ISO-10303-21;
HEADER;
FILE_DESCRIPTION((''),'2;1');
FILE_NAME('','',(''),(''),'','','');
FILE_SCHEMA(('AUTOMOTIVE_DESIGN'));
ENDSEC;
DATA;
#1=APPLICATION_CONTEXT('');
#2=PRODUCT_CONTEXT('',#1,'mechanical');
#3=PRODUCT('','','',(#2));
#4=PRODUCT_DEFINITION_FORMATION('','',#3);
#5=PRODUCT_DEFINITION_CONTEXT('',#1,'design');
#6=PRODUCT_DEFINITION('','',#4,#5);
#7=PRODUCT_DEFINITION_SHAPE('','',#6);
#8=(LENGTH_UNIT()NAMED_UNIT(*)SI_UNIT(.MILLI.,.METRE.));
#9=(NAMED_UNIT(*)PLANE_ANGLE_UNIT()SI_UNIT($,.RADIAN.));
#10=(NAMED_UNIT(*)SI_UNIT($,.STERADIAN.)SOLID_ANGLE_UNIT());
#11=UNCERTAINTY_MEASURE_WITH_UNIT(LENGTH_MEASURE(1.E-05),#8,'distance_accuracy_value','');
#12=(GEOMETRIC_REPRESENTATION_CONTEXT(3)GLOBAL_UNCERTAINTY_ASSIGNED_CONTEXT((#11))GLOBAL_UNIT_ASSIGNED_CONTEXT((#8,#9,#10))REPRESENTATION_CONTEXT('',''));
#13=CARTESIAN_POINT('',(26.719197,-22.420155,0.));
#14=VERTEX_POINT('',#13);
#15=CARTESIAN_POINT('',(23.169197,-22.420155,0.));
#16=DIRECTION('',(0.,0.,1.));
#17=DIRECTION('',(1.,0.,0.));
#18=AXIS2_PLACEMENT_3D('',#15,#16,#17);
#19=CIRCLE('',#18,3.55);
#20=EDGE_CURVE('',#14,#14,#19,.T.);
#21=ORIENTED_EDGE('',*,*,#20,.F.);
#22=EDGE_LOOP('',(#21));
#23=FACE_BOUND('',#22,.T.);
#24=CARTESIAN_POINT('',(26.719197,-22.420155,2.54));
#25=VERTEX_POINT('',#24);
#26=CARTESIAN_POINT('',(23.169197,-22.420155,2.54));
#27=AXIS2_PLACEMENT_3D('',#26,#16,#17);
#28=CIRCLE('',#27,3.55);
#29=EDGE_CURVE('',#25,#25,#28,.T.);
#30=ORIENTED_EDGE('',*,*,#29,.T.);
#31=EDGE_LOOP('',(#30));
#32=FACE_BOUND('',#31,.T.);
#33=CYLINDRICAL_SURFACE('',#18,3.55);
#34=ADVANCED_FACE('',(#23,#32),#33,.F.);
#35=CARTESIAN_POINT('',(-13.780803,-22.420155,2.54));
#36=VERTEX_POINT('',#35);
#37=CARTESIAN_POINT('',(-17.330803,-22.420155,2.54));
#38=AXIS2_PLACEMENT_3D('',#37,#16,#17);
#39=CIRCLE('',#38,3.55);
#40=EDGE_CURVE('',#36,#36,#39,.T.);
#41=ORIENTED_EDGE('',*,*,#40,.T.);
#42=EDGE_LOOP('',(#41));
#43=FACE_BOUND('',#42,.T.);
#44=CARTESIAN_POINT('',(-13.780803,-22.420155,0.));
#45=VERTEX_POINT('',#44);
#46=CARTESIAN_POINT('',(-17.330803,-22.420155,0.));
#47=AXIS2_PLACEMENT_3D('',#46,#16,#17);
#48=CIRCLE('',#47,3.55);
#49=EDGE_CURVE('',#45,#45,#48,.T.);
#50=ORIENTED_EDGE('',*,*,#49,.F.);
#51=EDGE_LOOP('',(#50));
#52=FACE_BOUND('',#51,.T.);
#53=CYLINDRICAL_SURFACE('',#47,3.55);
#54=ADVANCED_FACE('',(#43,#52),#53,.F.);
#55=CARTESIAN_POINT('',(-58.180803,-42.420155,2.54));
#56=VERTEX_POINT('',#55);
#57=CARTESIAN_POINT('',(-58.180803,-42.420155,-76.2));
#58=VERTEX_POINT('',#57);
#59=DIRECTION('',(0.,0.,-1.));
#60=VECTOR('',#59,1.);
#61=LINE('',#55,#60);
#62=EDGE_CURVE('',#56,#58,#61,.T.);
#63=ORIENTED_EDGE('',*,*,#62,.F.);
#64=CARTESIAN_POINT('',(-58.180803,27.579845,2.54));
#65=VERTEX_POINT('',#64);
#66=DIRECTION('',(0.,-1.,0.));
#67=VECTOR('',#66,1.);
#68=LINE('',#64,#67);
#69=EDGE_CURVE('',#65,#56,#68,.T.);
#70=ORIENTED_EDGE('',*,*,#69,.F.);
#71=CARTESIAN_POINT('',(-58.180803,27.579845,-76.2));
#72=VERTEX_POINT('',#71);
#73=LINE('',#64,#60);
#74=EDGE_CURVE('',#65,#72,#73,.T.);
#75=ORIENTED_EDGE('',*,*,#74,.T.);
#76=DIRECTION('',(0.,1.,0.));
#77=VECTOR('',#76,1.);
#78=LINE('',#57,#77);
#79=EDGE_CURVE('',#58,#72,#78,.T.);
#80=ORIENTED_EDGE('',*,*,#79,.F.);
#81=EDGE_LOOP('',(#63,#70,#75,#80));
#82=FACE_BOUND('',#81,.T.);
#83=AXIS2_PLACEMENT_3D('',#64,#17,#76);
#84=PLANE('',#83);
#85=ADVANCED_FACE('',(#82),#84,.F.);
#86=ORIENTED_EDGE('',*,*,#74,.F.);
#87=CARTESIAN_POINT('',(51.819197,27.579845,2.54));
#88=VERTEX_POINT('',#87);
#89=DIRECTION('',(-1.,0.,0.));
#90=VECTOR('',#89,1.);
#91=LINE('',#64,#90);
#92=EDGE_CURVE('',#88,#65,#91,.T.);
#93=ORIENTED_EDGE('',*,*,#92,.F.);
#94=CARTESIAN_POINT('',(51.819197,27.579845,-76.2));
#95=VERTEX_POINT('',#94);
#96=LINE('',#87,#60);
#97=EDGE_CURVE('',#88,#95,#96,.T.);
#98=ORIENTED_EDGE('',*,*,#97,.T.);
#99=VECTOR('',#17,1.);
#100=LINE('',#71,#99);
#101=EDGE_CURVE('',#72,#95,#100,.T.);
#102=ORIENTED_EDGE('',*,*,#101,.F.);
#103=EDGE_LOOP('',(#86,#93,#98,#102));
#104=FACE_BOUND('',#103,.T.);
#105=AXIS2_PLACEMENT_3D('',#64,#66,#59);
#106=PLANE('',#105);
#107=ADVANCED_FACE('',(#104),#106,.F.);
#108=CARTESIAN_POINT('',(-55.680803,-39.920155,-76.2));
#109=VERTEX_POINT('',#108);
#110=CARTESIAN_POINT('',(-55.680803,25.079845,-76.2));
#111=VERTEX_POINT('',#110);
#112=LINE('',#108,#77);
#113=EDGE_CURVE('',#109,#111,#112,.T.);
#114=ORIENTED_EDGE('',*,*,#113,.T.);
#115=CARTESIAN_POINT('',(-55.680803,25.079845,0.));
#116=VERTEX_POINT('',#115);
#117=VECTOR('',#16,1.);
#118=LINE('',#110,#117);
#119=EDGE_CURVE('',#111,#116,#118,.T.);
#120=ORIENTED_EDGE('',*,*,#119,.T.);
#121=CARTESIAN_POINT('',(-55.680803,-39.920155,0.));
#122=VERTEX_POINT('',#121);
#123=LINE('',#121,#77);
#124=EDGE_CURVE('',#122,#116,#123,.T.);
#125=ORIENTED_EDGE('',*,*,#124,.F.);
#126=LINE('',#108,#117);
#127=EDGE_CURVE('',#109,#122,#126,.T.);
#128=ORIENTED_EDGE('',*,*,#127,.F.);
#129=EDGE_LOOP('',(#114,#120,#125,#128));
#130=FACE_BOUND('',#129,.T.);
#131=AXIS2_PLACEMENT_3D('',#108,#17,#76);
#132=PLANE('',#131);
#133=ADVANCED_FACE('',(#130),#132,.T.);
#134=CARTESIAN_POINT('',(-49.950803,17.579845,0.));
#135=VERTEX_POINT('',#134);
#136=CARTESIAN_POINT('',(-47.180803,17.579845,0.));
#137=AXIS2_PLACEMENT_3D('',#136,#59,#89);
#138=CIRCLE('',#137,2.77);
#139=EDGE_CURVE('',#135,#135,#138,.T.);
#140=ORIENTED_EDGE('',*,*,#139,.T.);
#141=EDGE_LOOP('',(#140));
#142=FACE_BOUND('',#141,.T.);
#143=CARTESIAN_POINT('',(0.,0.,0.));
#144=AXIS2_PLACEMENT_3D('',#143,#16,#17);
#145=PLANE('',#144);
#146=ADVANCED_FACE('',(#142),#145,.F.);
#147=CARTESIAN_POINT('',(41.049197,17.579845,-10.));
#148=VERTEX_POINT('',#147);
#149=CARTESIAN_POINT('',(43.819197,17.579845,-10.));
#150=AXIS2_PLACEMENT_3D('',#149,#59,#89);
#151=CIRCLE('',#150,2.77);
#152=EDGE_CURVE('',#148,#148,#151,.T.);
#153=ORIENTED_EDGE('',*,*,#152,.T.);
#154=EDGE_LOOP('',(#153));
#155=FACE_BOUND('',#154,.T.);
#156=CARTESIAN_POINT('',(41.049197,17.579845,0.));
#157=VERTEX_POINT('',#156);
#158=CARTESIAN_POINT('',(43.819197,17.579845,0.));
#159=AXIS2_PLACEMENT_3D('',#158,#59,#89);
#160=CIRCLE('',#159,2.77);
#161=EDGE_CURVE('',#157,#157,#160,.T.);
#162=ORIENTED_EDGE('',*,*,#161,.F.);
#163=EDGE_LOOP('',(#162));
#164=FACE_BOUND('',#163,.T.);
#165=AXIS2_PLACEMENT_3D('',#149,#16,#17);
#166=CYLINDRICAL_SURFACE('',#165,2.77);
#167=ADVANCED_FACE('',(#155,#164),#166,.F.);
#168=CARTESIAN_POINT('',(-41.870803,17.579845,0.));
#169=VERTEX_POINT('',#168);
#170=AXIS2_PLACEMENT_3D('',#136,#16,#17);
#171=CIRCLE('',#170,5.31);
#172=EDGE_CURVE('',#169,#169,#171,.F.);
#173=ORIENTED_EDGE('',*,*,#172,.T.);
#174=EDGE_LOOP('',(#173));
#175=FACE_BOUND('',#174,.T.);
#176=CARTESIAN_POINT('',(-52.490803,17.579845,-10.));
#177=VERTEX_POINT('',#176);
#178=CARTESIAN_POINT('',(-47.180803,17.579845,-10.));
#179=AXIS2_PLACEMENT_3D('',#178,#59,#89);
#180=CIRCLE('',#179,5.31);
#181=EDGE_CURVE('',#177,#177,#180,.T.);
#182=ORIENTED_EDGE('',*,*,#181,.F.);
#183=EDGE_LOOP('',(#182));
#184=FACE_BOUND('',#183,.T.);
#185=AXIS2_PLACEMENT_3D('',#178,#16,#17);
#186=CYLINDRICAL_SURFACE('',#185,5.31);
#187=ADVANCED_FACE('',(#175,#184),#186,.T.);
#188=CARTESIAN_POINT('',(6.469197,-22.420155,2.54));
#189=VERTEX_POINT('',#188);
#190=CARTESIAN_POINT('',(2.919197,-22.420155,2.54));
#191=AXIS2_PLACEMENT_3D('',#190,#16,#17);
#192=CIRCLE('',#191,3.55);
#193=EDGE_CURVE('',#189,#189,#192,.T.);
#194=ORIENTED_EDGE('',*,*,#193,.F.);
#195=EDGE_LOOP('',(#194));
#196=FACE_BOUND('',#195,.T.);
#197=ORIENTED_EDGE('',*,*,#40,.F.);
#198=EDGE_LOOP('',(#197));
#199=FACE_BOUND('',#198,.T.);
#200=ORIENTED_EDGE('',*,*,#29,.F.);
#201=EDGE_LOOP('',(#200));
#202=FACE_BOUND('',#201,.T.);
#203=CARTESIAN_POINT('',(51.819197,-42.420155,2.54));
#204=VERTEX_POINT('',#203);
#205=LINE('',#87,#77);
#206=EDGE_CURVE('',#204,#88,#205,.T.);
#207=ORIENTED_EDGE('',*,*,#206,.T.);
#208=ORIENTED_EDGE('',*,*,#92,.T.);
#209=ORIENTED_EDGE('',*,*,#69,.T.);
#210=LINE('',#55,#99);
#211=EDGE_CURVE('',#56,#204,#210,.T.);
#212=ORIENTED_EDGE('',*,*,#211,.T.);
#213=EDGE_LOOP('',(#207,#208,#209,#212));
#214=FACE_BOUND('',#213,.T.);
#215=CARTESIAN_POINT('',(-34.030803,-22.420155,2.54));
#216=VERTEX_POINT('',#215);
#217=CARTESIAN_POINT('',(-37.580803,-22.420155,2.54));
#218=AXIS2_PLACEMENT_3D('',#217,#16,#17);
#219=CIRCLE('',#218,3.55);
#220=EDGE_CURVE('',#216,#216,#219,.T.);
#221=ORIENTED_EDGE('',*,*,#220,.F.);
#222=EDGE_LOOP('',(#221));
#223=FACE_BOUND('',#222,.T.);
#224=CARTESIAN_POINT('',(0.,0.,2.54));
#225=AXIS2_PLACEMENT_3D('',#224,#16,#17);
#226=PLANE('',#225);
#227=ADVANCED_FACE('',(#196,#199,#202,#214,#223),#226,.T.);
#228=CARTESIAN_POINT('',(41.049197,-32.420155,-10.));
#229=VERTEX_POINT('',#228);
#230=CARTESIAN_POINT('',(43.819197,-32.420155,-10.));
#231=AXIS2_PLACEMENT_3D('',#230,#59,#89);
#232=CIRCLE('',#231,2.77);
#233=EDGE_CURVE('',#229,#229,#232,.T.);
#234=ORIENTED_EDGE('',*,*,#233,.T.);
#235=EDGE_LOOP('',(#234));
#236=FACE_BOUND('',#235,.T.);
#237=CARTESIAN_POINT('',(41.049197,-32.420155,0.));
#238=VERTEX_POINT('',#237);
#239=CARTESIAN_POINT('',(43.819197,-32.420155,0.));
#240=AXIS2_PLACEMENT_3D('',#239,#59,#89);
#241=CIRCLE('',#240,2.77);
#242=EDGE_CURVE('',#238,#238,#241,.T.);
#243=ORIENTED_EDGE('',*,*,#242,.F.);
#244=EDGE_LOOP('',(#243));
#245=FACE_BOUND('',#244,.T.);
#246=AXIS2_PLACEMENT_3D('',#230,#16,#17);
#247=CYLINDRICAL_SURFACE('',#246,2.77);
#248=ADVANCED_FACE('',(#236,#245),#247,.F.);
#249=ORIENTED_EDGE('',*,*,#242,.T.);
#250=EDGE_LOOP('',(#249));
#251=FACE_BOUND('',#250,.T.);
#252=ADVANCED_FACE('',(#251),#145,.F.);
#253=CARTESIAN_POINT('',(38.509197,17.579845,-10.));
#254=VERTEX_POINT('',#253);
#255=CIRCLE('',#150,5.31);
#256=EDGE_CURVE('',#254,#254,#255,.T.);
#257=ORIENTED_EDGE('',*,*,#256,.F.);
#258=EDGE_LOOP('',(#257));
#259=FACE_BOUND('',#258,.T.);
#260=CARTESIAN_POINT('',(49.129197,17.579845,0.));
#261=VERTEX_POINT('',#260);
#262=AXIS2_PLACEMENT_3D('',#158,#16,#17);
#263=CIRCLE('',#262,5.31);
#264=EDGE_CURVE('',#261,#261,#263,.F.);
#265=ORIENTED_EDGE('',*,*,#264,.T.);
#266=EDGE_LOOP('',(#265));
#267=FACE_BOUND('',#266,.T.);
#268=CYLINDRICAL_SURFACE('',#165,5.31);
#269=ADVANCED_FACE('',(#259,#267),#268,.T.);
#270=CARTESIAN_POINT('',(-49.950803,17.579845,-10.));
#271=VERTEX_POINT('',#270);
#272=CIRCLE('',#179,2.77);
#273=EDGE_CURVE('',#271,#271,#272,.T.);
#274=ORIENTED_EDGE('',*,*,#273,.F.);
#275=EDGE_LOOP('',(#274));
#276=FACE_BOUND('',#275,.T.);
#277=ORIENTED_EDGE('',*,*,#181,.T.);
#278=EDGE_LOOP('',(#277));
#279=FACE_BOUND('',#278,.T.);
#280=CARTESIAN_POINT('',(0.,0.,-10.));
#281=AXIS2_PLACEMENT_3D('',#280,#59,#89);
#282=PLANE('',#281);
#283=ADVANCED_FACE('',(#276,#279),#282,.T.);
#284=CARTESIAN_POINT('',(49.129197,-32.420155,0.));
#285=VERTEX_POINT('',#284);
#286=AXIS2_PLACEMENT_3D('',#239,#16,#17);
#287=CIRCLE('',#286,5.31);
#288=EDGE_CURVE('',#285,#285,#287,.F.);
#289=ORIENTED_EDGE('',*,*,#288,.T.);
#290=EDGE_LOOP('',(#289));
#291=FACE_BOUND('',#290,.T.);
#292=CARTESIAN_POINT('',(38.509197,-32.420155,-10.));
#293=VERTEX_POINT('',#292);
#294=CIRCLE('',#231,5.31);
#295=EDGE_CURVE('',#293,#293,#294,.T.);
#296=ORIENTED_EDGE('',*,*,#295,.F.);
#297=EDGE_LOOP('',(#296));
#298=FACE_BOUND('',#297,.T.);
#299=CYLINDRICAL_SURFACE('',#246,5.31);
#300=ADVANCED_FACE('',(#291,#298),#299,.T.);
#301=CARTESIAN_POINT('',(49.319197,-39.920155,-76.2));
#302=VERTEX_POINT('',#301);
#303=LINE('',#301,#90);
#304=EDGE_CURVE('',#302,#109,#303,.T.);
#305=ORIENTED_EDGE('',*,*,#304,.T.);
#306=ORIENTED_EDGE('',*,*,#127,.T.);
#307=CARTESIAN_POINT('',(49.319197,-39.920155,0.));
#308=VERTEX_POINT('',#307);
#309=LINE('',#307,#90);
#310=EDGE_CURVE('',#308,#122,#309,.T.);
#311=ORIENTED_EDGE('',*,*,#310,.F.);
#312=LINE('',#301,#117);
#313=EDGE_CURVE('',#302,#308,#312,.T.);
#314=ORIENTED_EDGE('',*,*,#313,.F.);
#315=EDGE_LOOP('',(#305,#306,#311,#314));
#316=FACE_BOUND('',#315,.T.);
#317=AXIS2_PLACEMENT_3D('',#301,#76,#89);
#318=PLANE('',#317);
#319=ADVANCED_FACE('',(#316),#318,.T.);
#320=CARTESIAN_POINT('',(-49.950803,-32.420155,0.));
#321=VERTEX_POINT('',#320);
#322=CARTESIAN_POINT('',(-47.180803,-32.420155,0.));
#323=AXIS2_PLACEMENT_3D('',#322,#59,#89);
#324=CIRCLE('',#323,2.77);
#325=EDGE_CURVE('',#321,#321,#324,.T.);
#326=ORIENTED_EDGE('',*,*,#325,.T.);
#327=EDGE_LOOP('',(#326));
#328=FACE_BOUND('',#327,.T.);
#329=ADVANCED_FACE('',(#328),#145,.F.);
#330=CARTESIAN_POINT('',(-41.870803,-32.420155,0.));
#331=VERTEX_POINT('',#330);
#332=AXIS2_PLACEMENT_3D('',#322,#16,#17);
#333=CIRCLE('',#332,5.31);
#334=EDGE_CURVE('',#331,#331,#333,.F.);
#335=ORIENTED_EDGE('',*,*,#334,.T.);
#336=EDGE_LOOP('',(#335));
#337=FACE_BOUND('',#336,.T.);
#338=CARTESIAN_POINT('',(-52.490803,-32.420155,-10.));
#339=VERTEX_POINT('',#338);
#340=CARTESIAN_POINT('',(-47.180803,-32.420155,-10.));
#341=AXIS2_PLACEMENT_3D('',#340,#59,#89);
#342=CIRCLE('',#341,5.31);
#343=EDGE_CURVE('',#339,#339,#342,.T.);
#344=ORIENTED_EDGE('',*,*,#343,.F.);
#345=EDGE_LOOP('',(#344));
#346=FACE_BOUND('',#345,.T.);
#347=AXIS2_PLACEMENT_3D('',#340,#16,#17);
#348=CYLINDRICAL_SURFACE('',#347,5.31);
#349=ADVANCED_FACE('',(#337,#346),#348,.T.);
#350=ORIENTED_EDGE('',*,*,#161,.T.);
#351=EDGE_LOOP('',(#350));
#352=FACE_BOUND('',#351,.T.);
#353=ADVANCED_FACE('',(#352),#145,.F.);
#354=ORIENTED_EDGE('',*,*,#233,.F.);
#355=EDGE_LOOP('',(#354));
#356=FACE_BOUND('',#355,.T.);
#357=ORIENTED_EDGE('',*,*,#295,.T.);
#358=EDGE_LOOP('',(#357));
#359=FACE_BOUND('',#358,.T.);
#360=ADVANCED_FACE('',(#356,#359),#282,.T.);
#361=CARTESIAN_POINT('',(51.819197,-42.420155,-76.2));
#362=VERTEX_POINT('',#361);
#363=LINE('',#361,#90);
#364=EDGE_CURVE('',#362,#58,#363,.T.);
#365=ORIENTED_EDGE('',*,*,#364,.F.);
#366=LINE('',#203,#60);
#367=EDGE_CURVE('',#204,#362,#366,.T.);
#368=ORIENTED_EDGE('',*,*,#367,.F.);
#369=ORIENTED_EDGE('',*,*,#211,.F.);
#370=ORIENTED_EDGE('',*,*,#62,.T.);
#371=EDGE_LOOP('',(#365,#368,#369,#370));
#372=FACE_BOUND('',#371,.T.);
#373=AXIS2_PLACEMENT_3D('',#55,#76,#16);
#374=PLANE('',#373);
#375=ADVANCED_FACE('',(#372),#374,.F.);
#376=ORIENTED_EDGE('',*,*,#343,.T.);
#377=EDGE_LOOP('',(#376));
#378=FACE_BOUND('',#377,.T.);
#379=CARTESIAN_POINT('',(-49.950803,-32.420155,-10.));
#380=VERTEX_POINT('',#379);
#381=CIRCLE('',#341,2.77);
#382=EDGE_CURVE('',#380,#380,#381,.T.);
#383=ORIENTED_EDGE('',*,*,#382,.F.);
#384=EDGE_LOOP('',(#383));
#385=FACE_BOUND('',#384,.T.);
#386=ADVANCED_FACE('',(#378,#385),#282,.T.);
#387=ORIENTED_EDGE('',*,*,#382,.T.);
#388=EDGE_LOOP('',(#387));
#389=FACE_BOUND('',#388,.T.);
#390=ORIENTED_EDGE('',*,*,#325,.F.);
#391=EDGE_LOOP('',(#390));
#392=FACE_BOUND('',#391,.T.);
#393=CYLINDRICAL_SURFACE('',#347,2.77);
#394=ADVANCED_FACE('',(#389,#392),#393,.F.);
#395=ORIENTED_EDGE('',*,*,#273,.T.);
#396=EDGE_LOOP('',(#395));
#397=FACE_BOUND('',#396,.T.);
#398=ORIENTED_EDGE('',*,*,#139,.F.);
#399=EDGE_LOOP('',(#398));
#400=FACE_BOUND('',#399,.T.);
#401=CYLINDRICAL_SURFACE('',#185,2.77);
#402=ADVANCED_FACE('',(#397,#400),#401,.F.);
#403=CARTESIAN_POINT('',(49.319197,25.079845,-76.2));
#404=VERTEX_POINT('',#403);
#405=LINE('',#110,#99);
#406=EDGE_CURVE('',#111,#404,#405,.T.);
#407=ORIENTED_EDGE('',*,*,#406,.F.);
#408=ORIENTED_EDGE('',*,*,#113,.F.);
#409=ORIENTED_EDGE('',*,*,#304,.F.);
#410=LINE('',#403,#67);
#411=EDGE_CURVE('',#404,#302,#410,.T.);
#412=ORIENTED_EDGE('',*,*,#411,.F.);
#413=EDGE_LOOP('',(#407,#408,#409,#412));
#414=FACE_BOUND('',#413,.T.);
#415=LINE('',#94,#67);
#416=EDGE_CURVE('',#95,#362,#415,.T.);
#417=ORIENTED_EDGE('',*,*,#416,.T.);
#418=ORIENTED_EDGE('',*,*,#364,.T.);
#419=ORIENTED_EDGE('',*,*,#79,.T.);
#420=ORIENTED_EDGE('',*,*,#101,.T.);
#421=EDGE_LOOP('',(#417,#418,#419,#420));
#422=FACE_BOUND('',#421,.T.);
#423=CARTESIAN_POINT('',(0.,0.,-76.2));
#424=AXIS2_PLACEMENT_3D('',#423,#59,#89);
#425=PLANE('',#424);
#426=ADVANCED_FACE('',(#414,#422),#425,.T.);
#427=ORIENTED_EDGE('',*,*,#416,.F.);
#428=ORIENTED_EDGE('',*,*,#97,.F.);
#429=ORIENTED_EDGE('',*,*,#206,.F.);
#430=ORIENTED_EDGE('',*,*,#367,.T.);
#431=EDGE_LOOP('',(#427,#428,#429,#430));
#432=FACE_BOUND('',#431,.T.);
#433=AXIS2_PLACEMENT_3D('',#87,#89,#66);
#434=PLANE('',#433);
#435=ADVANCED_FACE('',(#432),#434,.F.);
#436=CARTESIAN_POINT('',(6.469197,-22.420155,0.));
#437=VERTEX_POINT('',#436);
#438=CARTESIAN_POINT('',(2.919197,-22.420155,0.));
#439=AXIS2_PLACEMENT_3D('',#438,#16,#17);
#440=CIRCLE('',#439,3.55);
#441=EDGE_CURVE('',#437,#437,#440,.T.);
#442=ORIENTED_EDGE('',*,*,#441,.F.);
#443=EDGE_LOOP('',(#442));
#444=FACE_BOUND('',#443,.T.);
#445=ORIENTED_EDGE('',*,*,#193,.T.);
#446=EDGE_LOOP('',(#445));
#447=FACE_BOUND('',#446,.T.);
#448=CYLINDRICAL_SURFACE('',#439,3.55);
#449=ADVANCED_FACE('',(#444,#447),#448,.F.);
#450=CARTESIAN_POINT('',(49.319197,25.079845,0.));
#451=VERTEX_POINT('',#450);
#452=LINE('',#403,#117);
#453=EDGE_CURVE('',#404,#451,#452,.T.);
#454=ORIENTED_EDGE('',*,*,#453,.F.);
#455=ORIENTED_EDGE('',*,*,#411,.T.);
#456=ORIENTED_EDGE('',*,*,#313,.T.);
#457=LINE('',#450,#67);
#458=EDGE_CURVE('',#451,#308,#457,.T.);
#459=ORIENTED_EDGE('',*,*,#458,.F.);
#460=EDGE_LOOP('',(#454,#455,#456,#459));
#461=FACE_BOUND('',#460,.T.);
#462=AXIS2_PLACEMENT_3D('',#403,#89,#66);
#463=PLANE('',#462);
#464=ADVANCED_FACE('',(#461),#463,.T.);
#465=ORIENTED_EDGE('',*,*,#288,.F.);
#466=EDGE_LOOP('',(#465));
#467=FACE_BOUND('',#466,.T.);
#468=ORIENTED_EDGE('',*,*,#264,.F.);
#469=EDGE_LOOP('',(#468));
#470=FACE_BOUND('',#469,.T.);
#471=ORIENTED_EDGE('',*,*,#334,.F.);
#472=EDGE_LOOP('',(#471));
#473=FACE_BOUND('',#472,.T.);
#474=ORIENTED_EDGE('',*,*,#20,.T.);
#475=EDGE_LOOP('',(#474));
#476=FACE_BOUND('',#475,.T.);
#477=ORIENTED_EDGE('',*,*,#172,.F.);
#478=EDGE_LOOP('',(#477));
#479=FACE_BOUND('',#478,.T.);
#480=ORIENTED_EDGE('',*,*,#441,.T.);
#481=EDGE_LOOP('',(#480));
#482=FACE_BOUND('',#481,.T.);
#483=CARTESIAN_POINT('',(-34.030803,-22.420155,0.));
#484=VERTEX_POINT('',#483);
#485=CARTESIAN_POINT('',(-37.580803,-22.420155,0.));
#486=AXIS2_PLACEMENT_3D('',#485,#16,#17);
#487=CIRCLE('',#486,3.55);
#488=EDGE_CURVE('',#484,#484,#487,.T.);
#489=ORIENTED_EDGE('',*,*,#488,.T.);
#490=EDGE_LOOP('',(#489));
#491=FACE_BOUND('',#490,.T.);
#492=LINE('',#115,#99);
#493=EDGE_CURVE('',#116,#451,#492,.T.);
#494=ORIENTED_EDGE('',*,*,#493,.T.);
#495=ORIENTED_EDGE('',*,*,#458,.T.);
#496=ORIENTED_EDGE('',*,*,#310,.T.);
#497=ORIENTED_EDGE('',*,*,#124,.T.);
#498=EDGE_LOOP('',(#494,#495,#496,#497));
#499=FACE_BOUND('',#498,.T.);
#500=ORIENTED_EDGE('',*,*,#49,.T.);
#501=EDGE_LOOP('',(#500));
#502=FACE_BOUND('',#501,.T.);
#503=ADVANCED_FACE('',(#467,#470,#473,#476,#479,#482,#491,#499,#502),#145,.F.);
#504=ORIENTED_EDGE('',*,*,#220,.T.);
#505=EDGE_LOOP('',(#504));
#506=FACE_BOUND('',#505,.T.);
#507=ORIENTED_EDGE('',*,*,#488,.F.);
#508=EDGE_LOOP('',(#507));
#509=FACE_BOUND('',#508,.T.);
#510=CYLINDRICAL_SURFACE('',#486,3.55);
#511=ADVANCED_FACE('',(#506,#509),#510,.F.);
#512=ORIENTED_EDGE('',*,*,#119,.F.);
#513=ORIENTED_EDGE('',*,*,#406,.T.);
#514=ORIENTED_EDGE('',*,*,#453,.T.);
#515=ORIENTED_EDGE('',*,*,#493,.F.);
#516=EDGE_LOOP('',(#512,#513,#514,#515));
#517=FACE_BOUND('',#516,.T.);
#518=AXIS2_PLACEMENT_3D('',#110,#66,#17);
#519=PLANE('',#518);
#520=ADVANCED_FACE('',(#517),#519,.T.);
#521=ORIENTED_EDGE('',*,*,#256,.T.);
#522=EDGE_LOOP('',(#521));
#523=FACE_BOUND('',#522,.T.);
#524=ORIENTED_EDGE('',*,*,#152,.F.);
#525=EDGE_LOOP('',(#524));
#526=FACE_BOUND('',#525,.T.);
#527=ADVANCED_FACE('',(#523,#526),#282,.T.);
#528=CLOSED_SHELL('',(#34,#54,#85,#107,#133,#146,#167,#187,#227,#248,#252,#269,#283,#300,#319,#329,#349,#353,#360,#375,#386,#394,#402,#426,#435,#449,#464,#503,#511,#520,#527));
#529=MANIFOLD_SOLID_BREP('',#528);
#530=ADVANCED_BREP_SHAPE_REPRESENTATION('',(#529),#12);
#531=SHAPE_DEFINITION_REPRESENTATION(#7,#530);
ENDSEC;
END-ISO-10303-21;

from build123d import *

# Parameters (mm, degrees)
SKETCH1_W           = 110
SKETCH1_H           = 70
BOSS_EXTRUDE1_DEPTH = 2.54
SKETCH4_W           = 110
SKETCH4_H           = 70
SKETCH4_W_2         = 105
SKETCH4_H_2         = 65
BOSS_EXTRUDE3_DEPTH = 76.2
SKETCH7_R           = 5.31
SKETCH7_R_2         = 2.77
BOSS_EXTRUDE5_DEPTH = 10
SKETCH9_R           = 3.55
CUT_EXTRUDE1_DEPTH  = 2.54


with BuildPart() as part:
    # Sketch1 → Boss-Extrude1 (new body)
    with BuildSketch(Plane.XY):
        with Locations((-3.180803055, -7.420155336)):
            Rectangle(SKETCH1_W, SKETCH1_H)
    extrude(amount=BOSS_EXTRUDE1_DEPTH)

    # Sketch4 → Boss-Extrude3 (add)
    with BuildSketch(Plane(origin=(0, 0, 0), x_dir=(-1, 0, 0), z_dir=(0, 0, -1))):
        with Locations((3.180803055, -7.420155336)):
            Rectangle(SKETCH4_W, SKETCH4_H)
        with Locations((3.180803055, -7.420155336)):
            Rectangle(SKETCH4_W_2, SKETCH4_H_2, mode=Mode.SUBTRACT)
    extrude(amount=BOSS_EXTRUDE3_DEPTH)

    # Sketch7 → Boss-Extrude5 (add)
    # profile 1 of 4: a face of its own
    with BuildSketch(Plane(origin=(0, 0, 0), x_dir=(-1, 0, 0), z_dir=(0, 0, -1))):
        with Locations(Location((-43.819196945, 17.579844664, 0), (0, 0, 180))):
            Circle(SKETCH7_R)
        with Locations((-43.819196945, 17.579844664)):
            Circle(SKETCH7_R_2, mode=Mode.SUBTRACT)
    # profile 2 of 4: a face of its own
    with BuildSketch(Plane(origin=(0, 0, 0), x_dir=(-1, 0, 0), z_dir=(0, 0, -1))):
        with Locations(Location((47.180803055, 17.579844664, 0), (0, 0, 180))):
            Circle(SKETCH7_R)
        with Locations((47.180803055, 17.579844664)):
            Circle(SKETCH7_R_2, mode=Mode.SUBTRACT)
    # profile 3 of 4: a face of its own
    with BuildSketch(Plane(origin=(0, 0, 0), x_dir=(-1, 0, 0), z_dir=(0, 0, -1))):
        with Locations(Location((47.180803055, -32.420155336, 0), (0, 0, 180))):
            Circle(SKETCH7_R)
        with Locations((47.180803055, -32.420155336)):
            Circle(SKETCH7_R_2, mode=Mode.SUBTRACT)
    # profile 4 of 4: a face of its own
    with BuildSketch(Plane(origin=(0, 0, 0), x_dir=(-1, 0, 0), z_dir=(0, 0, -1))):
        with Locations(Location((-43.819196945, -32.420155336, 0), (0, 0, 180))):
            Circle(SKETCH7_R)
        with Locations((-43.819196945, -32.420155336)):
            Circle(SKETCH7_R_2, mode=Mode.SUBTRACT)
    extrude(amount=BOSS_EXTRUDE5_DEPTH)

    # Sketch9 → Cut-Extrude1 (cut)
    with BuildSketch(Plane.XY.offset(2.54)):
        with Locations((23.169196945, -22.420155336)):
            Circle(SKETCH9_R)
        with Locations((2.919196945, -22.420155336)):
            Circle(SKETCH9_R)
        with Locations((-17.330803055, -22.420155336)):
            Circle(SKETCH9_R)
        with Locations((-37.580803055, -22.420155336)):
            Circle(SKETCH9_R)
    extrude(amount=-CUT_EXTRUDE1_DEPTH, mode=Mode.SUBTRACT)


solid = part.part
